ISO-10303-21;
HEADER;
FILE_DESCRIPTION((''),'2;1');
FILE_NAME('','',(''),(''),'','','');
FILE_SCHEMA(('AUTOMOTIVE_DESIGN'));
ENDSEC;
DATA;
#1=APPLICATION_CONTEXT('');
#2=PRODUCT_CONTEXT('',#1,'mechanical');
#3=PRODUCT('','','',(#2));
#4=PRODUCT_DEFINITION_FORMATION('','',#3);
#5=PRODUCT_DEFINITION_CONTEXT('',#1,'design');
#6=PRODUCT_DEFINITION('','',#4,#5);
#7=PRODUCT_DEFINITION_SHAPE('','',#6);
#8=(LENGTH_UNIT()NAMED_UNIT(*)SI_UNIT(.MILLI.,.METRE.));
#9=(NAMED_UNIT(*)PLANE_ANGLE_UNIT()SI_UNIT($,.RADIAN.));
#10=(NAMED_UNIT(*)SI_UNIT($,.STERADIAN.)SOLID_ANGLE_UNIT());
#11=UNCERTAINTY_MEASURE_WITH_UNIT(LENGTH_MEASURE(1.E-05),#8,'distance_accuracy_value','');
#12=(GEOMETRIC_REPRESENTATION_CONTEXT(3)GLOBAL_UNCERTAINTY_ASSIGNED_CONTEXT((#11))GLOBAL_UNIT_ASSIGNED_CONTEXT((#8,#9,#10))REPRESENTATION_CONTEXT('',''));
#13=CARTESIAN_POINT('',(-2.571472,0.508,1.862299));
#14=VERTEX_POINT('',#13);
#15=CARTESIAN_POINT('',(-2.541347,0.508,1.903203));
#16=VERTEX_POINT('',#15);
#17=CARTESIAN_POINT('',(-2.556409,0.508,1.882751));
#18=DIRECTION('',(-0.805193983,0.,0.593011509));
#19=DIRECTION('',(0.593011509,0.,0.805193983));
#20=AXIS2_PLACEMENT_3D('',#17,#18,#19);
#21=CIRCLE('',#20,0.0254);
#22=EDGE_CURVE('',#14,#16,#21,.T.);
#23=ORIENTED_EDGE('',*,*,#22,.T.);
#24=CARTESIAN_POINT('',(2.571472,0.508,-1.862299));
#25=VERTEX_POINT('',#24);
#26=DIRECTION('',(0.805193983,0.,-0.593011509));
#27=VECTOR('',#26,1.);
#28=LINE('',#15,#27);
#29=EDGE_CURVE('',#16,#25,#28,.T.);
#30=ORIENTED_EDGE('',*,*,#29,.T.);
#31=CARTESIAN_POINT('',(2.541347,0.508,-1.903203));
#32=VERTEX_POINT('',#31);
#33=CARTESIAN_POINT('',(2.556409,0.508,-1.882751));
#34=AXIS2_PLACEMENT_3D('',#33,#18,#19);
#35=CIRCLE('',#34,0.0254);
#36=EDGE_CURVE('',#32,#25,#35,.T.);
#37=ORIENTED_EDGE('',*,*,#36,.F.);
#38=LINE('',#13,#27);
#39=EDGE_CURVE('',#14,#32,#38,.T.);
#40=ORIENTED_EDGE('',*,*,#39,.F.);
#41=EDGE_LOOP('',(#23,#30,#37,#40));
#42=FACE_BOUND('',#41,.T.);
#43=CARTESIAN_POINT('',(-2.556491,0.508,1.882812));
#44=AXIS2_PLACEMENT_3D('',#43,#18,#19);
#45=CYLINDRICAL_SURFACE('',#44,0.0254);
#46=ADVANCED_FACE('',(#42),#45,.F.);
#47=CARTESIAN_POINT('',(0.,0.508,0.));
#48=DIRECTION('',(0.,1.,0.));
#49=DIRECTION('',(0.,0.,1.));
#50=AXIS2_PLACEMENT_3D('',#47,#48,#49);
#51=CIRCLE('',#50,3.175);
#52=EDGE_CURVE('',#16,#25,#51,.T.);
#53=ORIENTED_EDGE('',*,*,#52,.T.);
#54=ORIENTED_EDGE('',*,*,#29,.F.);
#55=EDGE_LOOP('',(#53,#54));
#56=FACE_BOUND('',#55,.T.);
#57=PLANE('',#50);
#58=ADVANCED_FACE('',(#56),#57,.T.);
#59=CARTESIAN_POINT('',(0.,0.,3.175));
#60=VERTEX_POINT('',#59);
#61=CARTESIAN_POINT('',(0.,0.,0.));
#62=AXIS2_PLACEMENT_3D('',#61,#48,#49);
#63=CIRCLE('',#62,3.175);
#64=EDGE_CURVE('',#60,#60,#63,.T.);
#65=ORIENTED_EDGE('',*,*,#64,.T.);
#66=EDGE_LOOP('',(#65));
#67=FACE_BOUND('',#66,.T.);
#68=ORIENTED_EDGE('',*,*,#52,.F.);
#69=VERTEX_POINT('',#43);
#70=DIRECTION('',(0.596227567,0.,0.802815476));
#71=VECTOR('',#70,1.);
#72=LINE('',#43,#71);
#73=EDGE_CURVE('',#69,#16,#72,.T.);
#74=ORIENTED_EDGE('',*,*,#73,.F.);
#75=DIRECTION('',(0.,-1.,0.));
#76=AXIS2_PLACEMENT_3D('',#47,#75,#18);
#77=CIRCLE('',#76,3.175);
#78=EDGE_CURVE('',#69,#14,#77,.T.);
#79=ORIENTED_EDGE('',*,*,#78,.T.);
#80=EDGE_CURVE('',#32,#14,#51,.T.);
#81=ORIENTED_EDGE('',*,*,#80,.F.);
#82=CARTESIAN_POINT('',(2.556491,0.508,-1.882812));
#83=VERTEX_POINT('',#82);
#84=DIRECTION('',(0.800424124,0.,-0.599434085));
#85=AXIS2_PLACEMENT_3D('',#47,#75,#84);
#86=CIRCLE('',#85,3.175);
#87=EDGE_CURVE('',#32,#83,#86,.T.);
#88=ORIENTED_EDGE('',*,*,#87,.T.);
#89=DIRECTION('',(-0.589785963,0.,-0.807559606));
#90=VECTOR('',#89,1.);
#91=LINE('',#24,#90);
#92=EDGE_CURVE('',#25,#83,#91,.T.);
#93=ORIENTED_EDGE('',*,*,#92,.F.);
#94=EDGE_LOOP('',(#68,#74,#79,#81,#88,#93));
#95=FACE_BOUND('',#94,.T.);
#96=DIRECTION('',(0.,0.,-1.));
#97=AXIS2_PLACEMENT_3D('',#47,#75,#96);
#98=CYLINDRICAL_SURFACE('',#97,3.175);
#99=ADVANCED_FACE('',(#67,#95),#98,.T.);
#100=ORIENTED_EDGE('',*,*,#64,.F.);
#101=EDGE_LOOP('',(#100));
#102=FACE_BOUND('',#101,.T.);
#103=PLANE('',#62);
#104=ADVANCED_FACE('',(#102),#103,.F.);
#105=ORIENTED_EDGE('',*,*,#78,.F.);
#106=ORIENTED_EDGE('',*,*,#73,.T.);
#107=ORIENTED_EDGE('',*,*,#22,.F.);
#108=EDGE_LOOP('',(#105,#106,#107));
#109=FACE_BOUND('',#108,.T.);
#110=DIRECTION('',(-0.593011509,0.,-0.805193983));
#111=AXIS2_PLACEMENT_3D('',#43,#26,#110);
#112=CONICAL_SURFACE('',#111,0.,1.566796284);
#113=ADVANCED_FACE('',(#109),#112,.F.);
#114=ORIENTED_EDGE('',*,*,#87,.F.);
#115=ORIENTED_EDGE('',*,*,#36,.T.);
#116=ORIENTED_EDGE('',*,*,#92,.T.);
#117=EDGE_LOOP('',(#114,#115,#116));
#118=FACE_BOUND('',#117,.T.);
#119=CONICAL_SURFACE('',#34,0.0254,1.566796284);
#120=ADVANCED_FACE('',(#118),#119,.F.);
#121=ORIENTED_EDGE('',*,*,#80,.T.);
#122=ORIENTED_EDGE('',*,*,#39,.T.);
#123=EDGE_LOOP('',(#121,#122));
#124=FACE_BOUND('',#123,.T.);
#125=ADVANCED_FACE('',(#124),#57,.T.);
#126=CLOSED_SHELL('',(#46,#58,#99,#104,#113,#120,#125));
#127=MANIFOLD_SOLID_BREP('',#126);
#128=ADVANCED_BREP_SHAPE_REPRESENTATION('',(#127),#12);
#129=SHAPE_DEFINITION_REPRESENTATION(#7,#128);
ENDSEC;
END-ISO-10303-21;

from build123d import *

# Parameters (mm, degrees)
SKETCH1_R           = 3.175
BOSS_EXTRUDE1_DEPTH = 0.508
CUT_REVOLVE1_ANGLE  = 180


with BuildPart() as part:
    # Sketch1 → Boss-Extrude1 (new body)
    with BuildSketch(Plane(origin=(0, 0, 0), x_dir=(1, 0, 0), z_dir=(0, 1, 0))):
        with Locations(Location((0, 0, 0), (0, 0, 270))):
            Circle(SKETCH1_R)
    extrude(amount=BOSS_EXTRUDE1_DEPTH)

    # Sketch2 → Cut-Revolve1 (revolve, cut)
    with BuildSketch(Plane(origin=(0, 0.508, 0), x_dir=(1, 0, 0), z_dir=(0, 1, 0))):
        Polygon((-2.556490895, -1.882811542), (2.556490895, 1.882811542), (2.571471578, 1.862299364), (-2.541346594, -1.903203218), align=None)
    revolve(axis=Axis((-2.556490895, 0.508, 1.882811542), (0.8051939826990212, 0, -0.5930115093531394)), revolution_arc=CUT_REVOLVE1_ANGLE, mode=Mode.SUBTRACT)


solid = part.part
